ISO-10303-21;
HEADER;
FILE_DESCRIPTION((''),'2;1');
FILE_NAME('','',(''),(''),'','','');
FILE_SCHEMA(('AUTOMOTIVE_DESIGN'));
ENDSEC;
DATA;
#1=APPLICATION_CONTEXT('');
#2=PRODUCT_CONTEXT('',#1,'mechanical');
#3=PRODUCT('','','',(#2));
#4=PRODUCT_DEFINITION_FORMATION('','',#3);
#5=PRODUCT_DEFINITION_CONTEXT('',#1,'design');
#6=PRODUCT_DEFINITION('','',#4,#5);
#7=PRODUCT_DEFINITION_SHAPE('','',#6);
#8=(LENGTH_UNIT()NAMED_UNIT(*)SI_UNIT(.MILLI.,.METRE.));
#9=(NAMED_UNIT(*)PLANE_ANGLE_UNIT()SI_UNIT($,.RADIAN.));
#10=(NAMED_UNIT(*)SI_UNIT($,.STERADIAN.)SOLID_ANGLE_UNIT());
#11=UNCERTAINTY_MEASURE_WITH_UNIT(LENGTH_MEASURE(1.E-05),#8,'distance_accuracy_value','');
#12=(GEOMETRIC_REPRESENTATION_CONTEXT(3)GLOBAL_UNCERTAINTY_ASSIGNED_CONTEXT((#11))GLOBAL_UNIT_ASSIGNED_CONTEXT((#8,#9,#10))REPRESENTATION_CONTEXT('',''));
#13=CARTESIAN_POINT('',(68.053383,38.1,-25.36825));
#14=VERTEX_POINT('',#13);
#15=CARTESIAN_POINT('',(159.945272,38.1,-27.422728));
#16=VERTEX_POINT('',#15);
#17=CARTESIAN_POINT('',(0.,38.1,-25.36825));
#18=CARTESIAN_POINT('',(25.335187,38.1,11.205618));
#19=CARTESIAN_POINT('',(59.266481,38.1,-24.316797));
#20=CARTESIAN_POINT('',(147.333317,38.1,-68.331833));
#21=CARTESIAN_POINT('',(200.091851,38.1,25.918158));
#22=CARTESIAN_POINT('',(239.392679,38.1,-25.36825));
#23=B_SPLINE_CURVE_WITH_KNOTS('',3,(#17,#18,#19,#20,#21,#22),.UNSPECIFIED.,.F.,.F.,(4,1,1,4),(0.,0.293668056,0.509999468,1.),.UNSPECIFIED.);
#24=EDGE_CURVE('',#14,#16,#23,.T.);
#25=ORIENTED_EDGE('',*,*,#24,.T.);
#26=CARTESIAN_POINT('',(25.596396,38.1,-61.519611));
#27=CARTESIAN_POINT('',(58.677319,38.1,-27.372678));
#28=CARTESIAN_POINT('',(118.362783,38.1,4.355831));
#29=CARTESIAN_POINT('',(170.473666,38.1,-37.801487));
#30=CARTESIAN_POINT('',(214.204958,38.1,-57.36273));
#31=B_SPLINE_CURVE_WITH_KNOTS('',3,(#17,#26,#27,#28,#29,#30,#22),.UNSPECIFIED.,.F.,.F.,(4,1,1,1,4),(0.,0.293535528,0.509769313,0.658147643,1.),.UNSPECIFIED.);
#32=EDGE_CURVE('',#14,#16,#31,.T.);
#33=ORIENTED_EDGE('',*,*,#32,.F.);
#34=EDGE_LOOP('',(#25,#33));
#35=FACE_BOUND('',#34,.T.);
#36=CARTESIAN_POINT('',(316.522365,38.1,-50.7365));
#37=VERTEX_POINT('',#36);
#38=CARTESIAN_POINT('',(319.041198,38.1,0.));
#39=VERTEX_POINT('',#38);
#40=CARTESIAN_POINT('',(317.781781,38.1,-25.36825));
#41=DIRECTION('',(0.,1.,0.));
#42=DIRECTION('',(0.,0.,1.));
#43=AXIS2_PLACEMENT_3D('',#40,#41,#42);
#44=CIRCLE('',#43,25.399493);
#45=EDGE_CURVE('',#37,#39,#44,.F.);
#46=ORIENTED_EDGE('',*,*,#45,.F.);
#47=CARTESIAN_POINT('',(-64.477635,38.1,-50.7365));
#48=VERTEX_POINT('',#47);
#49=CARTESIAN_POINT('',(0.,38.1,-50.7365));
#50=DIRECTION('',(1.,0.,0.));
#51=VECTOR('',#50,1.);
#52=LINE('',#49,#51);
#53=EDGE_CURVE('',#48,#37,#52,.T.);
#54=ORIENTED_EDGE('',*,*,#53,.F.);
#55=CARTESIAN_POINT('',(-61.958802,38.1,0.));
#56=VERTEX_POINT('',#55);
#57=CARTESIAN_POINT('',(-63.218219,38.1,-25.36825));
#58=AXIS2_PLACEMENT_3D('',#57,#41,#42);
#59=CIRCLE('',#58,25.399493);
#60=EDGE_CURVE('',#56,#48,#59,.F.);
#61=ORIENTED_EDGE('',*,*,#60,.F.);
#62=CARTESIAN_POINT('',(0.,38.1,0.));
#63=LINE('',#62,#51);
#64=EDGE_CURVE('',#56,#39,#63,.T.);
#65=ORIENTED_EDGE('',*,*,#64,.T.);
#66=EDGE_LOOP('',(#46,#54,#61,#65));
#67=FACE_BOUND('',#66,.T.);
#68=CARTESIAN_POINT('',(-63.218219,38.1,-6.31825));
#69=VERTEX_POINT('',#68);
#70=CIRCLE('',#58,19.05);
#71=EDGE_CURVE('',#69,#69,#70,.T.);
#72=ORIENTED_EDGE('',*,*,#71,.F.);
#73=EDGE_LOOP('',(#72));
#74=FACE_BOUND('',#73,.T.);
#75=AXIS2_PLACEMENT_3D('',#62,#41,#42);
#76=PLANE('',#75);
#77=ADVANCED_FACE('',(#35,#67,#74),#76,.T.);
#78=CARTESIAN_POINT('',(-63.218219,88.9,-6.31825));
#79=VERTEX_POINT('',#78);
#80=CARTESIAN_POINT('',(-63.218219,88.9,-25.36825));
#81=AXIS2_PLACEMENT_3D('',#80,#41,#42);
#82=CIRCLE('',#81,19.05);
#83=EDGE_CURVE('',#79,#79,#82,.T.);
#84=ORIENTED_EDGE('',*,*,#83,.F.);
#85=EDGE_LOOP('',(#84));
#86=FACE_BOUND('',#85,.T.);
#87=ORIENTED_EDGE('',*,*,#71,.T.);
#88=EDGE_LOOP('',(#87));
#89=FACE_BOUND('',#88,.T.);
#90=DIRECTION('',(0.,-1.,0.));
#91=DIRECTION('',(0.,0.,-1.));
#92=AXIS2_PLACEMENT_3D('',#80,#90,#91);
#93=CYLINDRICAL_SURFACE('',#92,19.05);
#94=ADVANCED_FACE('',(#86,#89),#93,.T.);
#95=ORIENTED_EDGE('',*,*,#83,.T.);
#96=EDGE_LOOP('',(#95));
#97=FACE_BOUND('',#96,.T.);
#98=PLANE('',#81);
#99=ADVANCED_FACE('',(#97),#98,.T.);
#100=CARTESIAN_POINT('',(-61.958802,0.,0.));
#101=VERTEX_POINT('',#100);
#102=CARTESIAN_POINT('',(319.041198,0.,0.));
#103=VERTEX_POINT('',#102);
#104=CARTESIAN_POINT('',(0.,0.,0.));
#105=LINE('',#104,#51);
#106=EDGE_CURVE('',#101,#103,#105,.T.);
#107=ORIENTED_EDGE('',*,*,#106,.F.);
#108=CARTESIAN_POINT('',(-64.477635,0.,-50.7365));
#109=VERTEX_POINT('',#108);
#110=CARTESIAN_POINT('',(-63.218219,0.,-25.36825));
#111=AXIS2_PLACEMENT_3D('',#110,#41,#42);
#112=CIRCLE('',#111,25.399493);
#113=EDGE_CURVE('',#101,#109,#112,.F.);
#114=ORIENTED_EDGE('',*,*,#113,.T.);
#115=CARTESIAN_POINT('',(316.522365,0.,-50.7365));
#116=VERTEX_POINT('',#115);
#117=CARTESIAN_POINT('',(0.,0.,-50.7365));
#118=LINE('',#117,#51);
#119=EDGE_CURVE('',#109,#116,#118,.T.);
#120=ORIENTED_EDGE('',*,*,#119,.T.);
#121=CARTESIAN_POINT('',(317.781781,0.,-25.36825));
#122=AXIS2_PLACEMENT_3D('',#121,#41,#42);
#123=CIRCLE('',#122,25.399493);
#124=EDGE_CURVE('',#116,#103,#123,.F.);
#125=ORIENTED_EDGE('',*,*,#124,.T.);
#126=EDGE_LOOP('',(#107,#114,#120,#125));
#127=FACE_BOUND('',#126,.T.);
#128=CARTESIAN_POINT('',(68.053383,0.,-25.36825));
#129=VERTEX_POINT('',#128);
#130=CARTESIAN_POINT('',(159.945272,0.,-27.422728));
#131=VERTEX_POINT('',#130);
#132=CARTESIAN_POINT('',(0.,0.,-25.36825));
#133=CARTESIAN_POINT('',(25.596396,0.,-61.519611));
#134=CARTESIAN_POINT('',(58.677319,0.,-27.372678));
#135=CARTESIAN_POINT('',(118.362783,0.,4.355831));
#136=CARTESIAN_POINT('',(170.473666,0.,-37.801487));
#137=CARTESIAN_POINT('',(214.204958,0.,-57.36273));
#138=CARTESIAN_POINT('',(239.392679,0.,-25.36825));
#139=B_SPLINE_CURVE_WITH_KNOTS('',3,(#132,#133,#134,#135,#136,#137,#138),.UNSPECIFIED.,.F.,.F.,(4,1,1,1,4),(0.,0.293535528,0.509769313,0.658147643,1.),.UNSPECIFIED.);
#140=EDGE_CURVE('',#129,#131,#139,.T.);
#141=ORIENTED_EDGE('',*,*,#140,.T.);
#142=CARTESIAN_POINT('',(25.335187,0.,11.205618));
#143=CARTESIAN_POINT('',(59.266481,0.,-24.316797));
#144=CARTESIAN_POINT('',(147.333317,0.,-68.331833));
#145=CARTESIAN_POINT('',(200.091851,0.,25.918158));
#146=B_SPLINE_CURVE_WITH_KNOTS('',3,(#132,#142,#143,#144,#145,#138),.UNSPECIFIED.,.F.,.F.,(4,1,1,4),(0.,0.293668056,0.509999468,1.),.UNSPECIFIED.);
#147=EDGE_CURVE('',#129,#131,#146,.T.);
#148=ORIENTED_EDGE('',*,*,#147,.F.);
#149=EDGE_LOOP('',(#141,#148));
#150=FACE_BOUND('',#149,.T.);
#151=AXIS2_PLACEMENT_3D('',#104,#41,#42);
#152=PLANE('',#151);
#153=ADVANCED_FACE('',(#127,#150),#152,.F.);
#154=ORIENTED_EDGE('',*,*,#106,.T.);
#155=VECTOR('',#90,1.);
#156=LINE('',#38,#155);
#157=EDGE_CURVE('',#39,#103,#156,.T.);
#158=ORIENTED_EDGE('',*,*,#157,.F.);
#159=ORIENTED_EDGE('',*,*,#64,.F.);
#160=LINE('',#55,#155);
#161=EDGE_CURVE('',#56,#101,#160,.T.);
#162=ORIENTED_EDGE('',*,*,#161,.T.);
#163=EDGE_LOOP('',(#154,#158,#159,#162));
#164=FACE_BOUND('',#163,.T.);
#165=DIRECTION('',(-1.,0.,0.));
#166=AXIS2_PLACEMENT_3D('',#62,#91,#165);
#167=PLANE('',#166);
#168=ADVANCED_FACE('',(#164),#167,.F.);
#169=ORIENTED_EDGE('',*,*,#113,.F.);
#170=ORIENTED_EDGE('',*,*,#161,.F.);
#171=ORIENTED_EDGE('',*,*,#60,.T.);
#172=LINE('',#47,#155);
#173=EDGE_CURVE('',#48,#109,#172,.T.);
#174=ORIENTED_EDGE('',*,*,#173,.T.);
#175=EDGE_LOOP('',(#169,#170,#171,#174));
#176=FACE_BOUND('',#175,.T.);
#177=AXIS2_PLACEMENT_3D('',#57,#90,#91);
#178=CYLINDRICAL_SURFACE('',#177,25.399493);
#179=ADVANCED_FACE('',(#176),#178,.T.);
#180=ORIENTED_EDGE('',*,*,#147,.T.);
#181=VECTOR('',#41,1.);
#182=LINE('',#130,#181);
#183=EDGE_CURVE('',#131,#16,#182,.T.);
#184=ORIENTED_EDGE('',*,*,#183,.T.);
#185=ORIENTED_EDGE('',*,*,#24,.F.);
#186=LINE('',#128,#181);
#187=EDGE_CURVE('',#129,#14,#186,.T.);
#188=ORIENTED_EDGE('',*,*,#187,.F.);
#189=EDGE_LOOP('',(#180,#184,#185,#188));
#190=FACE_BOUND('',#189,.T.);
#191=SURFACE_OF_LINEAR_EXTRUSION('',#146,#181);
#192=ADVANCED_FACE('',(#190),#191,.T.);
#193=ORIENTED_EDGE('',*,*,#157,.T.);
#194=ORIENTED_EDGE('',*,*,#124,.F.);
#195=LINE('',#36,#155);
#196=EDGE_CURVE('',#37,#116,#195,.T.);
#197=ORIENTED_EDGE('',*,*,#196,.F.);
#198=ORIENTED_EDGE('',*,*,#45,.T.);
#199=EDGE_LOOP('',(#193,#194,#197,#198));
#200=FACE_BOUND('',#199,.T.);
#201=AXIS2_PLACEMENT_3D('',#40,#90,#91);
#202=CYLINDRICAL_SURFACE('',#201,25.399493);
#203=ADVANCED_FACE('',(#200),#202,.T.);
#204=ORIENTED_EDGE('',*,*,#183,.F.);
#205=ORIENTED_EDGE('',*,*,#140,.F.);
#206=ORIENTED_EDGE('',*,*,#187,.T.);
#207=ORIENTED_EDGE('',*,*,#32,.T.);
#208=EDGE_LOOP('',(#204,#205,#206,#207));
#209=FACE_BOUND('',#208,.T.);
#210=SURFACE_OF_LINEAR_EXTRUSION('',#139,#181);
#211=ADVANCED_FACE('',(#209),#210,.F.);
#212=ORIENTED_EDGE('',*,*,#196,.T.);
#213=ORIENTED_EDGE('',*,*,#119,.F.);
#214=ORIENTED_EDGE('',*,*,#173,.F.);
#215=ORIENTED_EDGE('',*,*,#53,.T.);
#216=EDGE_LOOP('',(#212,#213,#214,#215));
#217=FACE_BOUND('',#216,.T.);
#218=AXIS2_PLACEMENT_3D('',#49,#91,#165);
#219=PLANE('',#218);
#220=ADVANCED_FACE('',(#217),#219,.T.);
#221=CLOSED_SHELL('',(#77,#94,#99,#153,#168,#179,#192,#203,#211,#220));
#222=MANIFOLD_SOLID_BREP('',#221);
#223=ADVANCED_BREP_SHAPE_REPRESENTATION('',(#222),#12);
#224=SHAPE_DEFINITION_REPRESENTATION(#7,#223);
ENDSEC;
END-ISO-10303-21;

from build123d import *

# Parameters (mm, degrees)
SALIENTE_EXTRUIR1_DEPTH = 38.1
CORTAR_EXTRUIR18_DEPTH  = 38.1
CROQUIS5_R              = 19.05
SALIENTE_EXTRUIR2_DEPTH = 50.8


with BuildPart() as part:
    # Croquis1 → Saliente-Extruir1 (new body)
    with BuildSketch(Plane(origin=(0, 0, 0), x_dir=(1, 0, 0), z_dir=(0, 1, 0))):
        with BuildLine():
            Line((-61.958802083, 0), (319.041197917, 0))
            ThreePointArc((319.041197917, 0), (343.15003125, 26.627666667), (316.522364583, 50.7365))
            Line((316.522364583, 50.7365), (-64.477635417, 50.7365))
            ThreePointArc((-64.477635417, 50.7365), (-88.58646875, 24.108833333), (-61.958802083, 0))
        make_face()
    extrude(amount=SALIENTE_EXTRUIR1_DEPTH)

    # Croquis3 → Cortar-Extruir18 (cut)
    with BuildSketch(Plane(origin=(0, 38.1, 0), x_dir=(1, 0, 0), z_dir=(0, 1, 0))):
        with BuildLine():
            add(Edge.make_bspline(
                [(68.053382641, 25.36825), (85.128897701, 37.242607365), (117.715779547, 53.529246636), (147.710358419, 35.418129568), (159.94527156, 27.422727745)],
                knots=[0.293668056, 0.293668056, 0.293668056, 0.293668056, 0.509999468, 0.663692502, 0.663692502, 0.663692502, 0.663692502], degree=3))
            add(Edge.make_bspline(
                [(68.053382641, 25.36825), (85.297187869, 13.221681932), (118.362782549, -4.355831371), (146.208725565, 18.171330049), (158.923925731, 26.746070777), (159.94527156, 27.422727745)],
                knots=[0.293535528, 0.293535528, 0.293535528, 0.293535528, 0.509769313, 0.658147643, 0.671041491, 0.671041491, 0.671041491, 0.671041491], degree=3))
        make_face()
    extrude(amount=-CORTAR_EXTRUIR18_DEPTH, mode=Mode.SUBTRACT)

    # Croquis5 → Saliente-Extruir2 (add)
    with BuildSketch(Plane(origin=(0, 38.1, 0), x_dir=(1, 0, 0), z_dir=(0, 1, 0))):
        with Locations(Location((-63.21821875, 25.36825, 0), (0, 0, 270))):
            Circle(CROQUIS5_R)
    extrude(amount=SALIENTE_EXTRUIR2_DEPTH)


solid = part.part
